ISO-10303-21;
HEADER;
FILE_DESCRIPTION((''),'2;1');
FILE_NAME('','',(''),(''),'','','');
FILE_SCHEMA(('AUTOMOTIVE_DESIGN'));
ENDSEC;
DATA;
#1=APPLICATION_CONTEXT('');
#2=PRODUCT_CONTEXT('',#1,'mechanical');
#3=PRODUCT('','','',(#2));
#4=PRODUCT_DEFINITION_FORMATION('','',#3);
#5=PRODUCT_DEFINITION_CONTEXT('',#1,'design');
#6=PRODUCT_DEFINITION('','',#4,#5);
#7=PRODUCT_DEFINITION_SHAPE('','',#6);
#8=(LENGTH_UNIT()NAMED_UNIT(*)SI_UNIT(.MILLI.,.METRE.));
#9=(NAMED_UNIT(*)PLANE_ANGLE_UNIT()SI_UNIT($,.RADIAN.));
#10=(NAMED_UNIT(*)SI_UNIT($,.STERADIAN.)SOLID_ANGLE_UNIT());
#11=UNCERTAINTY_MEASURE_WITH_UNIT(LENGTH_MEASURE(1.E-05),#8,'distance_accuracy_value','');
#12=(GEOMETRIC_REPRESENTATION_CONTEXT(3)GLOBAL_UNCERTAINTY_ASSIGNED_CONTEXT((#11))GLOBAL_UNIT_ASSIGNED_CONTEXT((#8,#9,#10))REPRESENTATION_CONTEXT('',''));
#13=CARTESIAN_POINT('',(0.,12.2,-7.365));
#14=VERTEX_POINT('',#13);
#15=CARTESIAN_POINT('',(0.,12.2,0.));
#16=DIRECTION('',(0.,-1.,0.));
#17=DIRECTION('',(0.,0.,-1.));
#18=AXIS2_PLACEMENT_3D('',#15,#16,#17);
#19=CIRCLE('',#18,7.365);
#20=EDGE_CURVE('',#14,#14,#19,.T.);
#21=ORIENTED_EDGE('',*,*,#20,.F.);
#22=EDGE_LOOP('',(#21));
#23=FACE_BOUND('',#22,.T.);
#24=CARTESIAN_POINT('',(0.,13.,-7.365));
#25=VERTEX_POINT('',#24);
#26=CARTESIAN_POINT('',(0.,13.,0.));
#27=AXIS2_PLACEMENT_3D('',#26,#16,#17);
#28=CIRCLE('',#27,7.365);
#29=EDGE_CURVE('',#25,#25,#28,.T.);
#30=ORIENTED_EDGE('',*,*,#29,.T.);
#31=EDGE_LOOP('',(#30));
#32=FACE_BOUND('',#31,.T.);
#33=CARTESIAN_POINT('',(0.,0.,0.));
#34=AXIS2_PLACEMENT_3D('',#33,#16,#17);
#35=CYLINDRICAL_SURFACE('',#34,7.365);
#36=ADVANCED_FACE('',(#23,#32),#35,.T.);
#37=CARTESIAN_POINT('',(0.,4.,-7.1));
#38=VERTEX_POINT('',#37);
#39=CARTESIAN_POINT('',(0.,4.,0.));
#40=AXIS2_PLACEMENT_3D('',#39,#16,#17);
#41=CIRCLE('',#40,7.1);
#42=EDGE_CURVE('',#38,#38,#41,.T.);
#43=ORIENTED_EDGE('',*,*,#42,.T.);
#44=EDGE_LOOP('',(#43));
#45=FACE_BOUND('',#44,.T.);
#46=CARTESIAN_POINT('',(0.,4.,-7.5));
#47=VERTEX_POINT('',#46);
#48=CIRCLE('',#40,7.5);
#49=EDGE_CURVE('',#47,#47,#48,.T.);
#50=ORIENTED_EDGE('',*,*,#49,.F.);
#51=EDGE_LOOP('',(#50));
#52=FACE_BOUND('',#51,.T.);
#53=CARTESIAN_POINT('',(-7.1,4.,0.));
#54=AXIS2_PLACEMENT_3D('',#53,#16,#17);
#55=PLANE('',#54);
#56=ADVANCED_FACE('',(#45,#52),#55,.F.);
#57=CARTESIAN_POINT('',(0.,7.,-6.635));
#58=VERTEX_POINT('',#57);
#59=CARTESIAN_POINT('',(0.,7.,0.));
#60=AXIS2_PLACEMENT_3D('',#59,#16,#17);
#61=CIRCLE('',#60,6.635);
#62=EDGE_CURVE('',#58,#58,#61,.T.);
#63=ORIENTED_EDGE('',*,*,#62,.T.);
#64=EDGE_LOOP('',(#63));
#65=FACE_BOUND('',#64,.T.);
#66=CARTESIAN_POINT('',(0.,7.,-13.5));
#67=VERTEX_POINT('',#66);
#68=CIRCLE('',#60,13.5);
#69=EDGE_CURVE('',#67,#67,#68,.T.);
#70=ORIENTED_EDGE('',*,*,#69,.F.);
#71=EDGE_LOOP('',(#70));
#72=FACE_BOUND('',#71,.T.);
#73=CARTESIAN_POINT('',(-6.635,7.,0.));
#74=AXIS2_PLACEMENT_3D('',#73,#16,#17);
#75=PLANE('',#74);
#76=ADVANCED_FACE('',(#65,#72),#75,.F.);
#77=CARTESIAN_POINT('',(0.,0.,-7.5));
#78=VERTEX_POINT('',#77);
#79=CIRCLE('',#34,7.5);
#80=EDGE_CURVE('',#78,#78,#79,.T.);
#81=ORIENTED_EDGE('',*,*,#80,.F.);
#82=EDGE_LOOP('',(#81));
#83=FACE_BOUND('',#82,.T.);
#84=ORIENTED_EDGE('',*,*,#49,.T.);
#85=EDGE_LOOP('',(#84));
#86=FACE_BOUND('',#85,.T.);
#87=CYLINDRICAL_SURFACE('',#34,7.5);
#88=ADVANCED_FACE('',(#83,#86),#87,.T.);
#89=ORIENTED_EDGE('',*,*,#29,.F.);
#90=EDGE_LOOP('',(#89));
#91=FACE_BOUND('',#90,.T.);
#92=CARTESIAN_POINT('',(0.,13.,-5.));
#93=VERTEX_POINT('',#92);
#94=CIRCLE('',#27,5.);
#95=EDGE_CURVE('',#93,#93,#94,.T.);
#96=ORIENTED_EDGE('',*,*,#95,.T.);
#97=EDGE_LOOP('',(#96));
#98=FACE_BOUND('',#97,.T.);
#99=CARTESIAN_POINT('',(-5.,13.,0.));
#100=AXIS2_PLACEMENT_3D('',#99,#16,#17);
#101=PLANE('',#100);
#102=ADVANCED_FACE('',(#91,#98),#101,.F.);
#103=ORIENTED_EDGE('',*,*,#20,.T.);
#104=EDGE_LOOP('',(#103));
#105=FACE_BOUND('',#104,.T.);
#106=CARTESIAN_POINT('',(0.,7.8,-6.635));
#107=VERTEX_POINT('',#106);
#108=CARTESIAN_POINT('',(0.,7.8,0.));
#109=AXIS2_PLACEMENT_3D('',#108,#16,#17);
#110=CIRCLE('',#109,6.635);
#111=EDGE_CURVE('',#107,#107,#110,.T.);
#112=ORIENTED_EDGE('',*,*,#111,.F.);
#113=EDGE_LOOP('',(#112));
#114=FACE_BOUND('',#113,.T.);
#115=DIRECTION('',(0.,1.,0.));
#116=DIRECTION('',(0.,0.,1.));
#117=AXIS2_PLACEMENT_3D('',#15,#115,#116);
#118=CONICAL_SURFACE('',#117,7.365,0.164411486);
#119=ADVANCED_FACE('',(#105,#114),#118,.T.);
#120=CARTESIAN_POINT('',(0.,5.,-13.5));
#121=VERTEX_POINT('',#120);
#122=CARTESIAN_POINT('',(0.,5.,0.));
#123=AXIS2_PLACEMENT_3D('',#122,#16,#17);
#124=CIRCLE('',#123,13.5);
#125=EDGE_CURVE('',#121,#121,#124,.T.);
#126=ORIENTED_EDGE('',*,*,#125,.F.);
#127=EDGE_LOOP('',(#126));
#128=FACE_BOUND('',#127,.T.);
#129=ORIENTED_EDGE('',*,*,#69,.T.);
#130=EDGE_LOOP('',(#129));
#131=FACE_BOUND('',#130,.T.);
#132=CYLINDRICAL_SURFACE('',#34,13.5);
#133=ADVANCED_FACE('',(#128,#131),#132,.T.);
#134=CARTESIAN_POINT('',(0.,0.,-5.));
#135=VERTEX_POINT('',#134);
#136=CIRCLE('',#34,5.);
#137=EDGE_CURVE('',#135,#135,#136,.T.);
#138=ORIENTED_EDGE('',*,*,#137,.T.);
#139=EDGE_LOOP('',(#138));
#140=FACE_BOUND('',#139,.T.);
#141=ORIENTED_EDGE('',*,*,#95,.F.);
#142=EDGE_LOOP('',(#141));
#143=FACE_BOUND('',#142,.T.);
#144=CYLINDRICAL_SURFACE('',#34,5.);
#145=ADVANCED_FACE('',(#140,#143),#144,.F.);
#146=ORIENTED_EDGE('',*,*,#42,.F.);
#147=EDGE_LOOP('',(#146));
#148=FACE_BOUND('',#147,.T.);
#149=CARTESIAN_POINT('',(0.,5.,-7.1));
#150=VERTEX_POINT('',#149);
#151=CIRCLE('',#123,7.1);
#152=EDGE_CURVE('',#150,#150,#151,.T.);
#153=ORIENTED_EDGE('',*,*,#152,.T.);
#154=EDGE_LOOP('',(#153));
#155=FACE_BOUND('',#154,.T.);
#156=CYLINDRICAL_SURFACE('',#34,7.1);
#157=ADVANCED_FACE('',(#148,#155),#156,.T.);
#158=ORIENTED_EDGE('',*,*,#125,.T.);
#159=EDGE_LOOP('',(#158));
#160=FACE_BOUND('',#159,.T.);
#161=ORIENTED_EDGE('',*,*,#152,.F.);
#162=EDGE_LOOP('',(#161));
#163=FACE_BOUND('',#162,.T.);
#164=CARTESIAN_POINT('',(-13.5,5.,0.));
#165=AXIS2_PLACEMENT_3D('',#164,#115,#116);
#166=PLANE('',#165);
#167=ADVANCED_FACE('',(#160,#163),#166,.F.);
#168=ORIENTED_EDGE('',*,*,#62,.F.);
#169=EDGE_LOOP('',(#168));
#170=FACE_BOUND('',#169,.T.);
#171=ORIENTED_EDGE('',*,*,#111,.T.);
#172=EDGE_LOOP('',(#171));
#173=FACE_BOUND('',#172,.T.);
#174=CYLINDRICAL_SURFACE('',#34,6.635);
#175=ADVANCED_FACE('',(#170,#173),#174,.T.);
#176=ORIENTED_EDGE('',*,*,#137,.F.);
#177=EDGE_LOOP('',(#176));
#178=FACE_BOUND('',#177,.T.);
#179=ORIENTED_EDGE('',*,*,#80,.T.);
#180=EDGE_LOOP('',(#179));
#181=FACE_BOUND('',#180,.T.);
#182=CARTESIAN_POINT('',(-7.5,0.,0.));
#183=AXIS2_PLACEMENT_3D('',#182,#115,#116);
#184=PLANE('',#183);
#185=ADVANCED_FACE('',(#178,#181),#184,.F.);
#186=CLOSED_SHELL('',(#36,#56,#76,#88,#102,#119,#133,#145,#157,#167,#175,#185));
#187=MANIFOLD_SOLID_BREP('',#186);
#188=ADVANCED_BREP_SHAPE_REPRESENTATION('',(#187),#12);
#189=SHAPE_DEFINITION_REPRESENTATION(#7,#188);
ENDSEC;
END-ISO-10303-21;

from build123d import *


with BuildPart() as part:
    # 草图1 → 旋转1 (revolve)
    with BuildSketch(Plane.XY, mode=Mode.PRIVATE) as revolve_1_sk:
        Polygon((-5, 0), (-5, 13), (-7.365, 13), (-7.365, 12.2), (-6.635, 7.8), (-6.635, 7), (-13.5, 7), (-13.5, 5), (-7.1, 5), (-7.1, 4), (-7.5, 4), (-7.5, 0), align=None)
    revolve(revolve_1_sk.sketch.rotate(Axis((0, 0, 0), (0, 1, 0)), 270), axis=Axis((0, 0, 0), (0, 1, 0)))  # turned: the seam where the file's is


solid = part.part
